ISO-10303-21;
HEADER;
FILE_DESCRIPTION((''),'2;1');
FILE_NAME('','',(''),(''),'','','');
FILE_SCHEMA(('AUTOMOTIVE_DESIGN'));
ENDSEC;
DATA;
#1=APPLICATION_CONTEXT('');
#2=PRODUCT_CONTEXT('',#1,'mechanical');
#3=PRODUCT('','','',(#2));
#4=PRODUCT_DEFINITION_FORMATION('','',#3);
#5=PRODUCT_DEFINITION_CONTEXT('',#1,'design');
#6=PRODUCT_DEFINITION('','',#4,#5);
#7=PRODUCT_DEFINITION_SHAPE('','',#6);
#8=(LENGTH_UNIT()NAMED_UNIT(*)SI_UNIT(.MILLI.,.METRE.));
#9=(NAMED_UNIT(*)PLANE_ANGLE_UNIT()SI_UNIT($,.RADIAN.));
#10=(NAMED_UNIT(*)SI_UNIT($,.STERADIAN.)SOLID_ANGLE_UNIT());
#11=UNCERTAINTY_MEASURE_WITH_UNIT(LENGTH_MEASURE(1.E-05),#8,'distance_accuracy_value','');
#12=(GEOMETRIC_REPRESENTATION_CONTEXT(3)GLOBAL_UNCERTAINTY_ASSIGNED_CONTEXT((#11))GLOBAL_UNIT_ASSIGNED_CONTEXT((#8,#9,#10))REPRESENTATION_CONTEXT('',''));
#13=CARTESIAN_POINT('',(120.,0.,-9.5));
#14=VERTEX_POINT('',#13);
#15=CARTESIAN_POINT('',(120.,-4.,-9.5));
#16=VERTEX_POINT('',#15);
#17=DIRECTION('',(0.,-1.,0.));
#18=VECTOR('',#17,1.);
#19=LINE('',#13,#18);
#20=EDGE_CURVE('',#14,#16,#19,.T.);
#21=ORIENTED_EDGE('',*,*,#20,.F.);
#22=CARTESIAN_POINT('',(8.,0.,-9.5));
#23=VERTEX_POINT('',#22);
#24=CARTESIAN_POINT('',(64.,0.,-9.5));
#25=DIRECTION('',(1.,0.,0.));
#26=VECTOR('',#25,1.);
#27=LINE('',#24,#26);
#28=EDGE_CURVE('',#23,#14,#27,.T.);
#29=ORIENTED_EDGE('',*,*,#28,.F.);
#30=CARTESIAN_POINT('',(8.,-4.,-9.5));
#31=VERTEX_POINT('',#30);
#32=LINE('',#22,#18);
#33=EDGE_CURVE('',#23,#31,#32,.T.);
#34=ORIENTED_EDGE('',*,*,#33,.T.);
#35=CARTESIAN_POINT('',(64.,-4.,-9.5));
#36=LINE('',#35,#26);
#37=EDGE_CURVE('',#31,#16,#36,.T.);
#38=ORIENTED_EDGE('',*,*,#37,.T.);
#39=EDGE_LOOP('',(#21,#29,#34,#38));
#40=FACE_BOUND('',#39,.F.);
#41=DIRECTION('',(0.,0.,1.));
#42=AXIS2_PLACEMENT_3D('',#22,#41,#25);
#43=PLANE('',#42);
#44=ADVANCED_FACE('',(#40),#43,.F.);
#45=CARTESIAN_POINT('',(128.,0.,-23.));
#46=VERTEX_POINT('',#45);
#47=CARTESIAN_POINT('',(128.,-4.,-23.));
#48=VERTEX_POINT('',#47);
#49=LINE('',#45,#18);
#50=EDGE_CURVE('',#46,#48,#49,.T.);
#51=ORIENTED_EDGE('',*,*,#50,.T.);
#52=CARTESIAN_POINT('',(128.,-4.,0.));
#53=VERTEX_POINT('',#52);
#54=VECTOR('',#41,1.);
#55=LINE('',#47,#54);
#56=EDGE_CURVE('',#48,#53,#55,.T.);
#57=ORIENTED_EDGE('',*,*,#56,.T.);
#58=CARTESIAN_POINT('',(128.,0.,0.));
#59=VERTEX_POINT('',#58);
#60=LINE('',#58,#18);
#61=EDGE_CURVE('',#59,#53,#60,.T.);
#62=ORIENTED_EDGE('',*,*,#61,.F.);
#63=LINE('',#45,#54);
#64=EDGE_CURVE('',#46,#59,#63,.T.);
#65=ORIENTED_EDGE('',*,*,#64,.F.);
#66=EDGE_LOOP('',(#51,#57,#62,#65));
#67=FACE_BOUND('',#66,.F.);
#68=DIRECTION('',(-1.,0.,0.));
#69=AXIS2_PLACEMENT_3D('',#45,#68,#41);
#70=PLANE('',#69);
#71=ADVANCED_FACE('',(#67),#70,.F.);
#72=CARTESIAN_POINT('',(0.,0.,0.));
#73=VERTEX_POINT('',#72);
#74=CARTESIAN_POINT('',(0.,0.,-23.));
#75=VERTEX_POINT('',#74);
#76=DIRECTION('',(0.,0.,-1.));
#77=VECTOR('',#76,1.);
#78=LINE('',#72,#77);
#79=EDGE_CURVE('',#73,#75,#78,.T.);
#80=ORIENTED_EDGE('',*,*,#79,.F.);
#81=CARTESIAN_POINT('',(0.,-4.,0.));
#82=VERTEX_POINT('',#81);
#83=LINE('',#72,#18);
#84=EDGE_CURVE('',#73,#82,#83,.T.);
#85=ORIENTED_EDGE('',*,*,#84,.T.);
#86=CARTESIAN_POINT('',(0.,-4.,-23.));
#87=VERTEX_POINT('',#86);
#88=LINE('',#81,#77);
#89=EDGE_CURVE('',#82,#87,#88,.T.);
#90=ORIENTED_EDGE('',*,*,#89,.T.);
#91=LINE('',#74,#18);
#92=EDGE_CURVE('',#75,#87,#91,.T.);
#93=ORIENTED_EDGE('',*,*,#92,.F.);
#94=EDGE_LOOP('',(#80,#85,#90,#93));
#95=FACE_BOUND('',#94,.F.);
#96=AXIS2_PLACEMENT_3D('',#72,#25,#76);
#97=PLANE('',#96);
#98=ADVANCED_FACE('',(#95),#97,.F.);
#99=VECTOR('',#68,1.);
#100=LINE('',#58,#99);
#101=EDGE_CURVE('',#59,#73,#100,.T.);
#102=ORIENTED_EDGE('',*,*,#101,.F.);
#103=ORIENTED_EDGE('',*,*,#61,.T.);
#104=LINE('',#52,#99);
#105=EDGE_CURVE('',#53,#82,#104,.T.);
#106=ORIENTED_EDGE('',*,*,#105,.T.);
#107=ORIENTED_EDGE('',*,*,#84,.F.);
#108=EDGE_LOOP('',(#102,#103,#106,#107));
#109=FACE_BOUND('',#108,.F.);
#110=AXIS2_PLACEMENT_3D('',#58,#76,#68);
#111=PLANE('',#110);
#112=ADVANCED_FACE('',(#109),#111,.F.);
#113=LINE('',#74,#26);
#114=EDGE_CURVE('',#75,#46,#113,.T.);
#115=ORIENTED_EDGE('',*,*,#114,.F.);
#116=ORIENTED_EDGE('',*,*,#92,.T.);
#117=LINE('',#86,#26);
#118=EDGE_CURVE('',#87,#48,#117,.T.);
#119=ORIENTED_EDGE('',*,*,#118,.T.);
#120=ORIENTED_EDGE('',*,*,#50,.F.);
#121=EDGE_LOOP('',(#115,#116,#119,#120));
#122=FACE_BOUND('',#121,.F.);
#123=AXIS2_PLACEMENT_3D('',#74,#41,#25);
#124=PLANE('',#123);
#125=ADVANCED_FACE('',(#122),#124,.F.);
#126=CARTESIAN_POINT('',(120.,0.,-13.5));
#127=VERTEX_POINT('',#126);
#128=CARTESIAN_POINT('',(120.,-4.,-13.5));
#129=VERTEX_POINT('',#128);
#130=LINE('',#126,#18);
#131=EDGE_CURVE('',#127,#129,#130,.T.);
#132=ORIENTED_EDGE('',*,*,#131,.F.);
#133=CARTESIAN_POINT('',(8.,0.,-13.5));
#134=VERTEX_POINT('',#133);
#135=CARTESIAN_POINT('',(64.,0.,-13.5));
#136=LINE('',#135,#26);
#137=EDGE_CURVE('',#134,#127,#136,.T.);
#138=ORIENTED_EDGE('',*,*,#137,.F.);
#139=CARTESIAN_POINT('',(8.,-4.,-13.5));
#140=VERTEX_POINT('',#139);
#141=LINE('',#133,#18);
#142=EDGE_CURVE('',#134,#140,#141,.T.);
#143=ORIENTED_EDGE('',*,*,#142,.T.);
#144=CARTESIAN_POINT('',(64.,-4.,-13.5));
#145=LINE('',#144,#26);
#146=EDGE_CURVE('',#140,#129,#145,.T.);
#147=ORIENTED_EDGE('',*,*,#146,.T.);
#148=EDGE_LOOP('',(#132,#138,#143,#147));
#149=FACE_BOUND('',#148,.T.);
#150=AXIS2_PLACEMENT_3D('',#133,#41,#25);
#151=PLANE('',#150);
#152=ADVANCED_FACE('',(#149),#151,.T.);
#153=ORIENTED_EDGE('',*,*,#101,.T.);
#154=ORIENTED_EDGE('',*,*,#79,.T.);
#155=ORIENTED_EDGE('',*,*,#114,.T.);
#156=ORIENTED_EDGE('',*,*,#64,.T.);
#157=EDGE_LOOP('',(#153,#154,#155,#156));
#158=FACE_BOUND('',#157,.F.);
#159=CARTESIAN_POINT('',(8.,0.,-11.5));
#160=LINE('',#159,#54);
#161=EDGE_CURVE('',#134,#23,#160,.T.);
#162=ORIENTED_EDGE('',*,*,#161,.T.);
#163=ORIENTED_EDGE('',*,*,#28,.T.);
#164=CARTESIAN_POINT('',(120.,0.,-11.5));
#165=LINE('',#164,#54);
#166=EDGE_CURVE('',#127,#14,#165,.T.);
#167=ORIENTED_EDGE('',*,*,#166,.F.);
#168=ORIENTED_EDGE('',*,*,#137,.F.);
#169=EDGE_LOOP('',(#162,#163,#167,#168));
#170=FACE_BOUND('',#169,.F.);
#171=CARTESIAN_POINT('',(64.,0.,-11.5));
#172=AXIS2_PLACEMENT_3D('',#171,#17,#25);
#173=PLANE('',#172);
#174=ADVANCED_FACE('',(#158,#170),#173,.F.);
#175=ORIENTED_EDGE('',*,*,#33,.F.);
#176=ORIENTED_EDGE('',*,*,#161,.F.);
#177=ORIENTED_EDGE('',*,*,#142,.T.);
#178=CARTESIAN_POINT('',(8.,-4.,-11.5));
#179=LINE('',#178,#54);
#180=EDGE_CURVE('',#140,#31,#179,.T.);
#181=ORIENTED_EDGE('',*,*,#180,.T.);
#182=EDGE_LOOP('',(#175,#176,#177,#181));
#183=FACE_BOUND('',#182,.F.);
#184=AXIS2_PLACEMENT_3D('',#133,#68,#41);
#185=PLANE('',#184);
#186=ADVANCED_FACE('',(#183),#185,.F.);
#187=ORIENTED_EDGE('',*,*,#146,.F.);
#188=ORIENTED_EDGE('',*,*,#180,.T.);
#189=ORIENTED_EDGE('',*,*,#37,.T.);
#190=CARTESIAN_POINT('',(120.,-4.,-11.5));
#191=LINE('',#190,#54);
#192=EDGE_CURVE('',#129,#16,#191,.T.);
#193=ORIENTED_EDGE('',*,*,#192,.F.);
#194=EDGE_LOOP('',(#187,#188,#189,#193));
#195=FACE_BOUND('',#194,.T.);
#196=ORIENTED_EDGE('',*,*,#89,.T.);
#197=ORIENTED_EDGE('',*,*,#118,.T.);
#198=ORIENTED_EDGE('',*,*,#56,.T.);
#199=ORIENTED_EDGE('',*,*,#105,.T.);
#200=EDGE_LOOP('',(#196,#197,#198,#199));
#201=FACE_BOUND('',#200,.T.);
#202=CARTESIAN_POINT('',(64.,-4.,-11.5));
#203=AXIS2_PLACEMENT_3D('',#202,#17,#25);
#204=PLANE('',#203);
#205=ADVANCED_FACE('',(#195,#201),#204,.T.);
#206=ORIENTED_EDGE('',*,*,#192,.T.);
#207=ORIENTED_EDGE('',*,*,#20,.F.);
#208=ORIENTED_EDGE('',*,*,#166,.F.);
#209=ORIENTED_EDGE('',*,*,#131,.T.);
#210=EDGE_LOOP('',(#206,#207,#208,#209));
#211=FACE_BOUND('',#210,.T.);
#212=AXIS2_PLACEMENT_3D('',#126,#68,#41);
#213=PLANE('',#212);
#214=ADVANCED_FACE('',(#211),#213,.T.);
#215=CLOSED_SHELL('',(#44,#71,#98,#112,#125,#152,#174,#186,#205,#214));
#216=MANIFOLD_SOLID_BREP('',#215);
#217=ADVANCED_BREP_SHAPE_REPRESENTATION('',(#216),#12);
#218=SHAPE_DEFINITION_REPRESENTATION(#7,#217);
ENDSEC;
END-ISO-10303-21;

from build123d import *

# Parameters (mm, degrees)
F0_W     = 112
F0_H     = 4
F1_DEPTH = 4


with BuildPart() as f1:
    # F0 (on Front) → F1 (new body)
    with BuildSketch(Plane.XZ):
        Polygon((128, 0), (0, 0), (0, -23), (128, -23), (128, -13.5), (128, -11.5), (128, -9.5), align=None)
        with Locations((64, -11.5)):
            Rectangle(F0_W, F0_H, mode=Mode.SUBTRACT)
    extrude(amount=F1_DEPTH)


solid = f1.part
